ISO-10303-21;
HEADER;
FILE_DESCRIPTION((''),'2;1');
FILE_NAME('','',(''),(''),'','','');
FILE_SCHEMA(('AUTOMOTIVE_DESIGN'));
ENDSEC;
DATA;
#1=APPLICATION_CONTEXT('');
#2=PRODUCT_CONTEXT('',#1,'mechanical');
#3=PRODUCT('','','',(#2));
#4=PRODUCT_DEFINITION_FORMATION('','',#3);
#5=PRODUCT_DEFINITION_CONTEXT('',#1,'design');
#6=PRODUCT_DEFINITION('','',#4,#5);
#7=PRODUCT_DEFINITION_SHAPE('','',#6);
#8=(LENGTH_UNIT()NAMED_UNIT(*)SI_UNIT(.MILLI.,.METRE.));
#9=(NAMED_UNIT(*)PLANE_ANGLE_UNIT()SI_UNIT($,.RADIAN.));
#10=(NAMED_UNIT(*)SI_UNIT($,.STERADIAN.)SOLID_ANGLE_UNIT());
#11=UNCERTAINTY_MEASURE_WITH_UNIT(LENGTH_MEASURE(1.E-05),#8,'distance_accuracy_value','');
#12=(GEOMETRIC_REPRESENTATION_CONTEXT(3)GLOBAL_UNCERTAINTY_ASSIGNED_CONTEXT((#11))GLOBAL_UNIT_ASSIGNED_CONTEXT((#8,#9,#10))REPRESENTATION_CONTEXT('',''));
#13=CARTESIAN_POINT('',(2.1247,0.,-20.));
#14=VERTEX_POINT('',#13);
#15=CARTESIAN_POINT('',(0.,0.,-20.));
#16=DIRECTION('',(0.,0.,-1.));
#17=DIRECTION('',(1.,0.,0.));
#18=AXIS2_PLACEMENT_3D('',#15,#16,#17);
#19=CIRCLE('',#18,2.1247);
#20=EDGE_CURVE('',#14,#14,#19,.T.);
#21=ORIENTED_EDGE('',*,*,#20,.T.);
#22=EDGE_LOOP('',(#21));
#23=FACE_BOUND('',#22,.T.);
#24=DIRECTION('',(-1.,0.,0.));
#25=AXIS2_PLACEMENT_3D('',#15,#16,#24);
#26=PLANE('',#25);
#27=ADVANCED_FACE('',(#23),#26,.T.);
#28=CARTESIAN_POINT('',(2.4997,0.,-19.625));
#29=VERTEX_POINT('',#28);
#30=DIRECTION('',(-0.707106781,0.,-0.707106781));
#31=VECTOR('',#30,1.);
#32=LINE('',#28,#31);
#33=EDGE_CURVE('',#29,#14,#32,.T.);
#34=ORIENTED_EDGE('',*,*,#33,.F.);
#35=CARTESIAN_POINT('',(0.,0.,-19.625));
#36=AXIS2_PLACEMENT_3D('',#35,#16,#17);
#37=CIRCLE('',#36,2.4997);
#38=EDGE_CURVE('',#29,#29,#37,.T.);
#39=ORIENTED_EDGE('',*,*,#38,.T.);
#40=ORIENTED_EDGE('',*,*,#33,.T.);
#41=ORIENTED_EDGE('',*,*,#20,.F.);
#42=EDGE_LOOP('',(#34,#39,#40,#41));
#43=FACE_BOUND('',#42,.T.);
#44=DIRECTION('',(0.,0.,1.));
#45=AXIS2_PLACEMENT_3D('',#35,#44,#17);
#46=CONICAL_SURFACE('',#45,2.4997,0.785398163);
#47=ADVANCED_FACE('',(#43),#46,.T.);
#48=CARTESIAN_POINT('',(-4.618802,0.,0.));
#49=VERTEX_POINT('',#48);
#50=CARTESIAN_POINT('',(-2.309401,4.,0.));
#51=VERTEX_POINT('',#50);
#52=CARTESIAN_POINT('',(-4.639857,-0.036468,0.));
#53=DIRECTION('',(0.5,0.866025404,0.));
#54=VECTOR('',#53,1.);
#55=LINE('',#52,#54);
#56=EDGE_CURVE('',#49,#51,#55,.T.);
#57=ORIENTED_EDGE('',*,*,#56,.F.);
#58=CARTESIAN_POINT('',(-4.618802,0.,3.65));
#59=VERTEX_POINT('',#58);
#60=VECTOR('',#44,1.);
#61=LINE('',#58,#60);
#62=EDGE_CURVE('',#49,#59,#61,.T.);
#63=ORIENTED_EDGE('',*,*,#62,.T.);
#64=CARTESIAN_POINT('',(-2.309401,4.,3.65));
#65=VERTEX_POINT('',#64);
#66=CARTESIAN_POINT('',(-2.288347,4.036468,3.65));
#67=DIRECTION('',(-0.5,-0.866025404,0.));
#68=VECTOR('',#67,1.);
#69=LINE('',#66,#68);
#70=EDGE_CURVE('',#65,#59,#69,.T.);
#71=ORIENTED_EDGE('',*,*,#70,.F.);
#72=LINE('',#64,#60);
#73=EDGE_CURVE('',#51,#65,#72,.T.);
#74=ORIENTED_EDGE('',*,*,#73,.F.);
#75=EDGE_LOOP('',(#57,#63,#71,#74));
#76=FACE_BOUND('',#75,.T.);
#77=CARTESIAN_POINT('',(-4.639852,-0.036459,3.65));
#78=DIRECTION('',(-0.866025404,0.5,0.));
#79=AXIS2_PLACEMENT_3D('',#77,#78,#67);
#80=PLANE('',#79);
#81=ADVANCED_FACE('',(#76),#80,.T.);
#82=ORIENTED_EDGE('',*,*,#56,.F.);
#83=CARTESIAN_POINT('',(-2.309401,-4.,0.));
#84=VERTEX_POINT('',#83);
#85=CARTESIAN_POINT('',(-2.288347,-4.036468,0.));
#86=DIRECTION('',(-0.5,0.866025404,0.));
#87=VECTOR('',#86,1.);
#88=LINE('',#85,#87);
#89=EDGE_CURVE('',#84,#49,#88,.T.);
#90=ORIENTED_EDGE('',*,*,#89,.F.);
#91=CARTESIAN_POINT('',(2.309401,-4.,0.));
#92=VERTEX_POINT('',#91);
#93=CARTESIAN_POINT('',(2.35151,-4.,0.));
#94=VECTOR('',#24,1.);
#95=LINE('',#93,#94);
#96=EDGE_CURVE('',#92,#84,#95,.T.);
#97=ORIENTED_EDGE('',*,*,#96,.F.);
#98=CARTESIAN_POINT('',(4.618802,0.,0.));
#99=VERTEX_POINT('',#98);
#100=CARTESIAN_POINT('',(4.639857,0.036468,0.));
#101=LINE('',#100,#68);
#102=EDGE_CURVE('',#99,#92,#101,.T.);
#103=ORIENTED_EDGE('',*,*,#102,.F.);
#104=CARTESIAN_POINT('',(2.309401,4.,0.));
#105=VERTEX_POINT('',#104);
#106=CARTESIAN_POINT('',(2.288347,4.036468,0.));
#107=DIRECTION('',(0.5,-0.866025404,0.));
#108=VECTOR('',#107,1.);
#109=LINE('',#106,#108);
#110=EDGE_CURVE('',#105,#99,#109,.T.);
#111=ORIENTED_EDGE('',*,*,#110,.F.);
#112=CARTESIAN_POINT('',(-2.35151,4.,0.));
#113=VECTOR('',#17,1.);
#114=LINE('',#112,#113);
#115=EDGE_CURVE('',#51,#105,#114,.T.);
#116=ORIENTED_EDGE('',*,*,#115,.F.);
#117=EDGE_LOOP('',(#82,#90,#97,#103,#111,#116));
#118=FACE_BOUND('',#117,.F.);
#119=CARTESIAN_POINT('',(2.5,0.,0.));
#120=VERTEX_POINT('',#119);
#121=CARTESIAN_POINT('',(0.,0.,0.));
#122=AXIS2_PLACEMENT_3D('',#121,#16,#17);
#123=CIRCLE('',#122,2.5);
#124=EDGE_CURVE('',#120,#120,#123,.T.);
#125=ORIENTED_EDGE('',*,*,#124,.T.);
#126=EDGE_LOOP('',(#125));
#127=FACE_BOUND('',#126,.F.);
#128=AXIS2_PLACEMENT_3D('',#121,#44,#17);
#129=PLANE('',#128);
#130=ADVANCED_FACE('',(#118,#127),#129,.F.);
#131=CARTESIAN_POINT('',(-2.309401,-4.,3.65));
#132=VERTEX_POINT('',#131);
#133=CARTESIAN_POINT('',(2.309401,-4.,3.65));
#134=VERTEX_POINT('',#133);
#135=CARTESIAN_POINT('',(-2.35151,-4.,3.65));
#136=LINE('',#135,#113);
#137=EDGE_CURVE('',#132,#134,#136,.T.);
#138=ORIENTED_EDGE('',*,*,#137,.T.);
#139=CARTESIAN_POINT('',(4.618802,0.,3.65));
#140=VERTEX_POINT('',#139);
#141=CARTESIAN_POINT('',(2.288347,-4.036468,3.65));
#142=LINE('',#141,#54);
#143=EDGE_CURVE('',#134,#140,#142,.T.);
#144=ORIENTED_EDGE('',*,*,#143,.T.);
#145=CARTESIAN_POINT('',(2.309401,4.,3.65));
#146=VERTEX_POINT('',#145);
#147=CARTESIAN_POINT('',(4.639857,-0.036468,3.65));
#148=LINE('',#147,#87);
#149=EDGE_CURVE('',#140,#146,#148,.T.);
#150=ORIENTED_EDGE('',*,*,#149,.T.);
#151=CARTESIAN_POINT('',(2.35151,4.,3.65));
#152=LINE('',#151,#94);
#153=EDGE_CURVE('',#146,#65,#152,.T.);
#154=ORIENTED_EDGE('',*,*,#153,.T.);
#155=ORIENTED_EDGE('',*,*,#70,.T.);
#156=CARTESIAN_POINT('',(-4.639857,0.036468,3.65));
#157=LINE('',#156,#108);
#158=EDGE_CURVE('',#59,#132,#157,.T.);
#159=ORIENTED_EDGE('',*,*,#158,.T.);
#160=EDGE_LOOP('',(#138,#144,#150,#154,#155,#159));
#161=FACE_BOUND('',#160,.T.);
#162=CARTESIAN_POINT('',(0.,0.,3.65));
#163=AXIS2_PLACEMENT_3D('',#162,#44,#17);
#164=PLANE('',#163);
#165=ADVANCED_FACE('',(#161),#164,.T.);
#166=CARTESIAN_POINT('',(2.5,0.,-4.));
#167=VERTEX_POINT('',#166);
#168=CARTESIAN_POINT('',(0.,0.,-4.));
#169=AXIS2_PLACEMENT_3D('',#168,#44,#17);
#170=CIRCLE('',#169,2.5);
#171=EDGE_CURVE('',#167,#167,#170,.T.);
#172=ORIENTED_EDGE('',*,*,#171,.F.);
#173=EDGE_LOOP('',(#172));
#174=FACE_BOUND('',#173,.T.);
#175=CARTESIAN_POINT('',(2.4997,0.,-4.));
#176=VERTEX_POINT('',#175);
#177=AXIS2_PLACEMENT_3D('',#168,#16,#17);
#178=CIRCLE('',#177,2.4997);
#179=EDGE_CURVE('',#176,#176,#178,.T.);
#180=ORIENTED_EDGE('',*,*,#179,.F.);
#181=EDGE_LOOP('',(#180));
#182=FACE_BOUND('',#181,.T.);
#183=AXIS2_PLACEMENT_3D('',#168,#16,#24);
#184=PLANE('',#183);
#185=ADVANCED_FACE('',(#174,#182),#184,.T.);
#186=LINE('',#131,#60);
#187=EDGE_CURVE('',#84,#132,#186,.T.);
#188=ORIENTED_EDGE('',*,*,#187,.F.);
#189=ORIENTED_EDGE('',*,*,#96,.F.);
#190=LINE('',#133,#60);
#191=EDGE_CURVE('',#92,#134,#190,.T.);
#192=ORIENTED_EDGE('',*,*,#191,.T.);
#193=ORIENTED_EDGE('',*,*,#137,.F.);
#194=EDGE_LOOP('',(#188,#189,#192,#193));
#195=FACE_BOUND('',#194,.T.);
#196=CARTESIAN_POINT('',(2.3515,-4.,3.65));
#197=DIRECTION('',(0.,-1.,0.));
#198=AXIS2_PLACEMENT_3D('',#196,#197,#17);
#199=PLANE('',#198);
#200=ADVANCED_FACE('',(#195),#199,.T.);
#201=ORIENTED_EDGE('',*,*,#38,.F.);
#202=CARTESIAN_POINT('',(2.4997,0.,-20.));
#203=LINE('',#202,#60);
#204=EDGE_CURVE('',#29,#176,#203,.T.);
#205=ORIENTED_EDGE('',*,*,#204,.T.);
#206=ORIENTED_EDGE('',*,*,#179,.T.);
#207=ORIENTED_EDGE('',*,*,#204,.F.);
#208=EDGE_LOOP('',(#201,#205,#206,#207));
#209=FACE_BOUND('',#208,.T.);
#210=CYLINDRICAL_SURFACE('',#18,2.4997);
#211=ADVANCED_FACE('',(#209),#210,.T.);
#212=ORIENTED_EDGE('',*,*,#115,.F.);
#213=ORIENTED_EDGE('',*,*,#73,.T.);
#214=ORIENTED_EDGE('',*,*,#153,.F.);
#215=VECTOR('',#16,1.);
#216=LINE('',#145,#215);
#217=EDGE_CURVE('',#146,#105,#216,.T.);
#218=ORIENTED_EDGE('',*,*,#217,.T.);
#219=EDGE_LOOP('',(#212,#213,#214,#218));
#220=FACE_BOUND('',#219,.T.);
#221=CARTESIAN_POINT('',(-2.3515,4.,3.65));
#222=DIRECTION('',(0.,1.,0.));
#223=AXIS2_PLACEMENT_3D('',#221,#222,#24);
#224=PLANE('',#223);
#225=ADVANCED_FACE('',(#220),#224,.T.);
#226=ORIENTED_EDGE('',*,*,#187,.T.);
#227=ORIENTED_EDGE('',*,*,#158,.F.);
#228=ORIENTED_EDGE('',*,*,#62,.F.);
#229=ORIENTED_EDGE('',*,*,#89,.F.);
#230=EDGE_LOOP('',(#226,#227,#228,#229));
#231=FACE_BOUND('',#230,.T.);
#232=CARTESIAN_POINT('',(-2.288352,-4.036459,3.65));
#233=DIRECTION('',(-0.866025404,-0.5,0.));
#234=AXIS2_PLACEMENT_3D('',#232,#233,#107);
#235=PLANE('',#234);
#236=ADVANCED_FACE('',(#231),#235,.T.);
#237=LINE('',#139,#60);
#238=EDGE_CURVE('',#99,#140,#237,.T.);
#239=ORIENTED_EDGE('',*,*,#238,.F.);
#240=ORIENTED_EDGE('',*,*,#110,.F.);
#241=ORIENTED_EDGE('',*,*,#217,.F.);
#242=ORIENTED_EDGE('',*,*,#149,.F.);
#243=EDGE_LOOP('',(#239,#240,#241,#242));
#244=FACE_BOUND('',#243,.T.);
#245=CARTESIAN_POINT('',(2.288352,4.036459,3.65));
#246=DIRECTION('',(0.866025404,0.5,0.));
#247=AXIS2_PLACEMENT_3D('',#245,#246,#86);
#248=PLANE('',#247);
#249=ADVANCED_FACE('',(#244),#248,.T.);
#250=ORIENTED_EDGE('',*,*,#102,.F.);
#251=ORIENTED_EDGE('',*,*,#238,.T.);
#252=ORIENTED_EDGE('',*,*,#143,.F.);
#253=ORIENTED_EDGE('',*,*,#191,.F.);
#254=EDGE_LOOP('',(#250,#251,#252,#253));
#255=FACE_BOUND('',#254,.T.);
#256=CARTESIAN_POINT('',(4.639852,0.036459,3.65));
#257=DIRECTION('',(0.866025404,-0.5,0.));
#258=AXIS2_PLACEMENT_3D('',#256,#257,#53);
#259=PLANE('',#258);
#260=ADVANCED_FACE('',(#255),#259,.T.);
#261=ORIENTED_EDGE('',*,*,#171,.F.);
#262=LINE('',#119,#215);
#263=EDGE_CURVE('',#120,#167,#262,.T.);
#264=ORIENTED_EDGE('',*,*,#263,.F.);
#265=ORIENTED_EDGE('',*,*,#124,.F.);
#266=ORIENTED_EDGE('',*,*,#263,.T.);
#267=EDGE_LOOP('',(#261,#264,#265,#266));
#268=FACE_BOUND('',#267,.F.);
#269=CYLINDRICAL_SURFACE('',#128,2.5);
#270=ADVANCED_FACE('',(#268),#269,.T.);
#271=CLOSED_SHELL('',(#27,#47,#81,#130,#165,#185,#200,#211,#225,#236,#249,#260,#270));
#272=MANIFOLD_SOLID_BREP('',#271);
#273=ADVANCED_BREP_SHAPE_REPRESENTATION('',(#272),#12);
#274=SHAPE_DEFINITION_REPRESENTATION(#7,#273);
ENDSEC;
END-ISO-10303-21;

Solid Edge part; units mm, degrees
sketch "Sketch1" plane through (0, 0, 0) normal (0, 0, 1) x (1, 0, 0)
  circle A0 centre (0, 0) radius 4.64
  dimension "D1" = 9.28
extrude "Protrusion1" add sketch "Sketch1" along normal blind 3.65
sketch "Sketch2" plane through (0, 0, 0) normal (0, 0, -1) x (1, 0, 0)
  circle A0 centre (0, 0) radius 2.5
extrude "Protrusion2" add sketch "Sketch2" along normal blind 20
sketch "Sketch3" plane through (0, 0, -20) normal (0, 0, -1) x (1, 0, 0)
  circle A0 centre (0, 0) radius 2.4997
extrude "Cutout1" cut sketch "Sketch3" against normal blind 16 flip side to cut
chamfer "Chamfer_1" distance 0.375 angle 45 1 edges at (-2.4997, 0, -20)
sketch "Sketch4" plane through (0, 0, 3.65) normal (0, 0, 1) x (1, 0, 0)
  line L0 (-2.3515, 4) -> (2.3515, 4)
  dimension "D1" = 8
extrude "Cutout2" cut sketch "Sketch4" against normal up to next material side at (0, 4.05, 3.65)
pattern_circular "Pattern1" count 6 over 360 about axis through (0, 0, 3.65) along (0, 0, 1) of "Cutout2"
properties part number "24104782"
